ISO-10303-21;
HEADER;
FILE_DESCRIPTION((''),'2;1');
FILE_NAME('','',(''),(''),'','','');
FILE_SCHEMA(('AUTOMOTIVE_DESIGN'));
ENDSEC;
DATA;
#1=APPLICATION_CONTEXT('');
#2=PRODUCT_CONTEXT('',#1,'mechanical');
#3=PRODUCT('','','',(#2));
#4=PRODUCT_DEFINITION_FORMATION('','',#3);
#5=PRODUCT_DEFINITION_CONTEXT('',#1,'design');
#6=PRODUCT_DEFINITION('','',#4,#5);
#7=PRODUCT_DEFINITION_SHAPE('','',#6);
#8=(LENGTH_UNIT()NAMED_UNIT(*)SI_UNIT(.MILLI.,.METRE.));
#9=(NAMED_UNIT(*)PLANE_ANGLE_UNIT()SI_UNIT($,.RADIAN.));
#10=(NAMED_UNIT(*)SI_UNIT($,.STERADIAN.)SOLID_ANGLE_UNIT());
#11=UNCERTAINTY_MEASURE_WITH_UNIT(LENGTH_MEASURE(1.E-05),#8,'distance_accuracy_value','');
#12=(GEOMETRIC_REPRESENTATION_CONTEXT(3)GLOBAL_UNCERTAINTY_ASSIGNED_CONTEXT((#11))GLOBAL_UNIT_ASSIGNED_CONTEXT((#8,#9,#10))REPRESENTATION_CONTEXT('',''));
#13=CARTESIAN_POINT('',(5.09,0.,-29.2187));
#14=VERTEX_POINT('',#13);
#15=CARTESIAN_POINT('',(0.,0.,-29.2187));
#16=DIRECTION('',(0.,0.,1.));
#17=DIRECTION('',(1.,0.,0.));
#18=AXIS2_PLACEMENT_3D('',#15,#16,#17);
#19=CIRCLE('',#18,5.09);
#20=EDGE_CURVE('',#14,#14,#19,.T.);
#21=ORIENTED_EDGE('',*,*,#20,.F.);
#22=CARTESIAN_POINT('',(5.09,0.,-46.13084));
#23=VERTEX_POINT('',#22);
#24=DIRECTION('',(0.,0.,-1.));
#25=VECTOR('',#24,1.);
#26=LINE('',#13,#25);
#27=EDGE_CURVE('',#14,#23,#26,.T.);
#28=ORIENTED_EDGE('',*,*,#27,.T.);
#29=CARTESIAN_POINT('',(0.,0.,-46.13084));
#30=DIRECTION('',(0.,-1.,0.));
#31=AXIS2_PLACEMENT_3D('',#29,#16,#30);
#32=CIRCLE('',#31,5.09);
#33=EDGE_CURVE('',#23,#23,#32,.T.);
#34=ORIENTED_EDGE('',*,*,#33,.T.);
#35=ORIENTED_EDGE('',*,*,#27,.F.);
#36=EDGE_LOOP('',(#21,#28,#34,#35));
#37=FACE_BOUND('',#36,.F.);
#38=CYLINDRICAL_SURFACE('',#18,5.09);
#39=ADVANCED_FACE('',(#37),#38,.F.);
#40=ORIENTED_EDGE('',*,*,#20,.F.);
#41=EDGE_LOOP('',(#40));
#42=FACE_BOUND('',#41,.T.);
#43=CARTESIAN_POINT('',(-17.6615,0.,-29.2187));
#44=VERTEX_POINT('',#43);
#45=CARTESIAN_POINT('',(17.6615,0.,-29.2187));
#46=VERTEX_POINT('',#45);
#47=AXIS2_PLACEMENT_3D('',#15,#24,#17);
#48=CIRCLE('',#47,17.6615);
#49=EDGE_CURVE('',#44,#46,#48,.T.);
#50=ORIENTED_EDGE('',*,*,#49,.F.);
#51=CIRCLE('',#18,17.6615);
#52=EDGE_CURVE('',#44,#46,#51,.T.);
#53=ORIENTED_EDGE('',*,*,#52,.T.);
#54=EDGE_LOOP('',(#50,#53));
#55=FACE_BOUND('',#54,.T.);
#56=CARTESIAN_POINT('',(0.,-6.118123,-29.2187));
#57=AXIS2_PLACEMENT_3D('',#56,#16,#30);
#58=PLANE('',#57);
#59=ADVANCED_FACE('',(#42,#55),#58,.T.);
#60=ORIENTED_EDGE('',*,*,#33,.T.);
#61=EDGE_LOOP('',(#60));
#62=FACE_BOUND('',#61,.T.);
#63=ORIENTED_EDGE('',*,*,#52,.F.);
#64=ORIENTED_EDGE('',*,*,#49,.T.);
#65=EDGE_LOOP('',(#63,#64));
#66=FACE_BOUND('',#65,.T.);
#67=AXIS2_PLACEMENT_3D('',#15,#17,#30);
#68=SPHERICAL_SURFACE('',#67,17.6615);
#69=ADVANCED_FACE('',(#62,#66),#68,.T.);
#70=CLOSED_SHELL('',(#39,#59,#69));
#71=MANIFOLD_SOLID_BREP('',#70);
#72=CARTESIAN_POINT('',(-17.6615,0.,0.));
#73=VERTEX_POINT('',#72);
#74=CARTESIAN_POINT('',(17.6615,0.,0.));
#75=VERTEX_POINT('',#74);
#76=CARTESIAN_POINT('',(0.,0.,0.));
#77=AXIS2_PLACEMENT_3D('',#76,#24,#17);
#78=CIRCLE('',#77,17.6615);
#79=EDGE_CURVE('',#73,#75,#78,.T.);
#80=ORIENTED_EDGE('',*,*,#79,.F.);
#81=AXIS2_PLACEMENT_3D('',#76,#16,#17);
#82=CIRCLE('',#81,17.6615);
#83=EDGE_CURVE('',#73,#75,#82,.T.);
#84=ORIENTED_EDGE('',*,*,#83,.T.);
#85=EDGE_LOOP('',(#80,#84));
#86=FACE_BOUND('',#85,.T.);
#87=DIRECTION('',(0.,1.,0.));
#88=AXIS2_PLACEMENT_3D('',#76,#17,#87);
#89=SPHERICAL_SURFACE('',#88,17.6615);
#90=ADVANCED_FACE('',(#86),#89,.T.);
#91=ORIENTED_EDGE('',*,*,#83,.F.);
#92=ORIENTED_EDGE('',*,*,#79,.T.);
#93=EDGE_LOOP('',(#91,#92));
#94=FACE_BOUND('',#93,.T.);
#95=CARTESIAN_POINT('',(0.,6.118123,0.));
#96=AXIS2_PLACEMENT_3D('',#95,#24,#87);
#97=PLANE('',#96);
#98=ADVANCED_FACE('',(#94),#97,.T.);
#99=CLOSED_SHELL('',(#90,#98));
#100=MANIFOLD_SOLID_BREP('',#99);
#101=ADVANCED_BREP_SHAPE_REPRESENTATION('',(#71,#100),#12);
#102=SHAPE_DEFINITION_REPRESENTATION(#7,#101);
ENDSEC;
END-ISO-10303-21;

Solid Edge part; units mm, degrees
sketch "Sketch1" plane through (0, 0, 0) normal (0, -1, 0) x (1, 0, 0)
  arc A0 (-17.6615, 0) -> (17.6615, 0) centre (0, 0) cw
  line L0 (-17.6615, 0) -> (17.6615, 0)
revolve "RevolvedProtrusion1" add sketch "Sketch1" angle 180 mid plane about axis through (-17.6615, 0, 0) along (1, 0, 0)
sketch "Sketch2" plane through (0, 0, 0) normal (0, -1, 0) x (1, 0, 0)
  arc A0 (-17.6615, -29.2187) -> (17.6615, -29.2187) centre (0, -29.2187) ccw
  line L0 (-17.6615, -29.2187) -> (17.6615, -29.2187)
revolve "RevolvedProtrusion_2" add sketch "Sketch2" angle 180 mid plane about axis through (-17.6615, 0, -29.2187) along (1, 0, 0)
sketch "Sketch3" plane through (0, 0, -29.2187) normal (0, 0, 1) x (1, 0, 0)
  circle A0 centre (0, 0) radius 5.09
extrude "ExtrudedCutout_1" cut sketch "Sketch3" against normal blind 38.596
